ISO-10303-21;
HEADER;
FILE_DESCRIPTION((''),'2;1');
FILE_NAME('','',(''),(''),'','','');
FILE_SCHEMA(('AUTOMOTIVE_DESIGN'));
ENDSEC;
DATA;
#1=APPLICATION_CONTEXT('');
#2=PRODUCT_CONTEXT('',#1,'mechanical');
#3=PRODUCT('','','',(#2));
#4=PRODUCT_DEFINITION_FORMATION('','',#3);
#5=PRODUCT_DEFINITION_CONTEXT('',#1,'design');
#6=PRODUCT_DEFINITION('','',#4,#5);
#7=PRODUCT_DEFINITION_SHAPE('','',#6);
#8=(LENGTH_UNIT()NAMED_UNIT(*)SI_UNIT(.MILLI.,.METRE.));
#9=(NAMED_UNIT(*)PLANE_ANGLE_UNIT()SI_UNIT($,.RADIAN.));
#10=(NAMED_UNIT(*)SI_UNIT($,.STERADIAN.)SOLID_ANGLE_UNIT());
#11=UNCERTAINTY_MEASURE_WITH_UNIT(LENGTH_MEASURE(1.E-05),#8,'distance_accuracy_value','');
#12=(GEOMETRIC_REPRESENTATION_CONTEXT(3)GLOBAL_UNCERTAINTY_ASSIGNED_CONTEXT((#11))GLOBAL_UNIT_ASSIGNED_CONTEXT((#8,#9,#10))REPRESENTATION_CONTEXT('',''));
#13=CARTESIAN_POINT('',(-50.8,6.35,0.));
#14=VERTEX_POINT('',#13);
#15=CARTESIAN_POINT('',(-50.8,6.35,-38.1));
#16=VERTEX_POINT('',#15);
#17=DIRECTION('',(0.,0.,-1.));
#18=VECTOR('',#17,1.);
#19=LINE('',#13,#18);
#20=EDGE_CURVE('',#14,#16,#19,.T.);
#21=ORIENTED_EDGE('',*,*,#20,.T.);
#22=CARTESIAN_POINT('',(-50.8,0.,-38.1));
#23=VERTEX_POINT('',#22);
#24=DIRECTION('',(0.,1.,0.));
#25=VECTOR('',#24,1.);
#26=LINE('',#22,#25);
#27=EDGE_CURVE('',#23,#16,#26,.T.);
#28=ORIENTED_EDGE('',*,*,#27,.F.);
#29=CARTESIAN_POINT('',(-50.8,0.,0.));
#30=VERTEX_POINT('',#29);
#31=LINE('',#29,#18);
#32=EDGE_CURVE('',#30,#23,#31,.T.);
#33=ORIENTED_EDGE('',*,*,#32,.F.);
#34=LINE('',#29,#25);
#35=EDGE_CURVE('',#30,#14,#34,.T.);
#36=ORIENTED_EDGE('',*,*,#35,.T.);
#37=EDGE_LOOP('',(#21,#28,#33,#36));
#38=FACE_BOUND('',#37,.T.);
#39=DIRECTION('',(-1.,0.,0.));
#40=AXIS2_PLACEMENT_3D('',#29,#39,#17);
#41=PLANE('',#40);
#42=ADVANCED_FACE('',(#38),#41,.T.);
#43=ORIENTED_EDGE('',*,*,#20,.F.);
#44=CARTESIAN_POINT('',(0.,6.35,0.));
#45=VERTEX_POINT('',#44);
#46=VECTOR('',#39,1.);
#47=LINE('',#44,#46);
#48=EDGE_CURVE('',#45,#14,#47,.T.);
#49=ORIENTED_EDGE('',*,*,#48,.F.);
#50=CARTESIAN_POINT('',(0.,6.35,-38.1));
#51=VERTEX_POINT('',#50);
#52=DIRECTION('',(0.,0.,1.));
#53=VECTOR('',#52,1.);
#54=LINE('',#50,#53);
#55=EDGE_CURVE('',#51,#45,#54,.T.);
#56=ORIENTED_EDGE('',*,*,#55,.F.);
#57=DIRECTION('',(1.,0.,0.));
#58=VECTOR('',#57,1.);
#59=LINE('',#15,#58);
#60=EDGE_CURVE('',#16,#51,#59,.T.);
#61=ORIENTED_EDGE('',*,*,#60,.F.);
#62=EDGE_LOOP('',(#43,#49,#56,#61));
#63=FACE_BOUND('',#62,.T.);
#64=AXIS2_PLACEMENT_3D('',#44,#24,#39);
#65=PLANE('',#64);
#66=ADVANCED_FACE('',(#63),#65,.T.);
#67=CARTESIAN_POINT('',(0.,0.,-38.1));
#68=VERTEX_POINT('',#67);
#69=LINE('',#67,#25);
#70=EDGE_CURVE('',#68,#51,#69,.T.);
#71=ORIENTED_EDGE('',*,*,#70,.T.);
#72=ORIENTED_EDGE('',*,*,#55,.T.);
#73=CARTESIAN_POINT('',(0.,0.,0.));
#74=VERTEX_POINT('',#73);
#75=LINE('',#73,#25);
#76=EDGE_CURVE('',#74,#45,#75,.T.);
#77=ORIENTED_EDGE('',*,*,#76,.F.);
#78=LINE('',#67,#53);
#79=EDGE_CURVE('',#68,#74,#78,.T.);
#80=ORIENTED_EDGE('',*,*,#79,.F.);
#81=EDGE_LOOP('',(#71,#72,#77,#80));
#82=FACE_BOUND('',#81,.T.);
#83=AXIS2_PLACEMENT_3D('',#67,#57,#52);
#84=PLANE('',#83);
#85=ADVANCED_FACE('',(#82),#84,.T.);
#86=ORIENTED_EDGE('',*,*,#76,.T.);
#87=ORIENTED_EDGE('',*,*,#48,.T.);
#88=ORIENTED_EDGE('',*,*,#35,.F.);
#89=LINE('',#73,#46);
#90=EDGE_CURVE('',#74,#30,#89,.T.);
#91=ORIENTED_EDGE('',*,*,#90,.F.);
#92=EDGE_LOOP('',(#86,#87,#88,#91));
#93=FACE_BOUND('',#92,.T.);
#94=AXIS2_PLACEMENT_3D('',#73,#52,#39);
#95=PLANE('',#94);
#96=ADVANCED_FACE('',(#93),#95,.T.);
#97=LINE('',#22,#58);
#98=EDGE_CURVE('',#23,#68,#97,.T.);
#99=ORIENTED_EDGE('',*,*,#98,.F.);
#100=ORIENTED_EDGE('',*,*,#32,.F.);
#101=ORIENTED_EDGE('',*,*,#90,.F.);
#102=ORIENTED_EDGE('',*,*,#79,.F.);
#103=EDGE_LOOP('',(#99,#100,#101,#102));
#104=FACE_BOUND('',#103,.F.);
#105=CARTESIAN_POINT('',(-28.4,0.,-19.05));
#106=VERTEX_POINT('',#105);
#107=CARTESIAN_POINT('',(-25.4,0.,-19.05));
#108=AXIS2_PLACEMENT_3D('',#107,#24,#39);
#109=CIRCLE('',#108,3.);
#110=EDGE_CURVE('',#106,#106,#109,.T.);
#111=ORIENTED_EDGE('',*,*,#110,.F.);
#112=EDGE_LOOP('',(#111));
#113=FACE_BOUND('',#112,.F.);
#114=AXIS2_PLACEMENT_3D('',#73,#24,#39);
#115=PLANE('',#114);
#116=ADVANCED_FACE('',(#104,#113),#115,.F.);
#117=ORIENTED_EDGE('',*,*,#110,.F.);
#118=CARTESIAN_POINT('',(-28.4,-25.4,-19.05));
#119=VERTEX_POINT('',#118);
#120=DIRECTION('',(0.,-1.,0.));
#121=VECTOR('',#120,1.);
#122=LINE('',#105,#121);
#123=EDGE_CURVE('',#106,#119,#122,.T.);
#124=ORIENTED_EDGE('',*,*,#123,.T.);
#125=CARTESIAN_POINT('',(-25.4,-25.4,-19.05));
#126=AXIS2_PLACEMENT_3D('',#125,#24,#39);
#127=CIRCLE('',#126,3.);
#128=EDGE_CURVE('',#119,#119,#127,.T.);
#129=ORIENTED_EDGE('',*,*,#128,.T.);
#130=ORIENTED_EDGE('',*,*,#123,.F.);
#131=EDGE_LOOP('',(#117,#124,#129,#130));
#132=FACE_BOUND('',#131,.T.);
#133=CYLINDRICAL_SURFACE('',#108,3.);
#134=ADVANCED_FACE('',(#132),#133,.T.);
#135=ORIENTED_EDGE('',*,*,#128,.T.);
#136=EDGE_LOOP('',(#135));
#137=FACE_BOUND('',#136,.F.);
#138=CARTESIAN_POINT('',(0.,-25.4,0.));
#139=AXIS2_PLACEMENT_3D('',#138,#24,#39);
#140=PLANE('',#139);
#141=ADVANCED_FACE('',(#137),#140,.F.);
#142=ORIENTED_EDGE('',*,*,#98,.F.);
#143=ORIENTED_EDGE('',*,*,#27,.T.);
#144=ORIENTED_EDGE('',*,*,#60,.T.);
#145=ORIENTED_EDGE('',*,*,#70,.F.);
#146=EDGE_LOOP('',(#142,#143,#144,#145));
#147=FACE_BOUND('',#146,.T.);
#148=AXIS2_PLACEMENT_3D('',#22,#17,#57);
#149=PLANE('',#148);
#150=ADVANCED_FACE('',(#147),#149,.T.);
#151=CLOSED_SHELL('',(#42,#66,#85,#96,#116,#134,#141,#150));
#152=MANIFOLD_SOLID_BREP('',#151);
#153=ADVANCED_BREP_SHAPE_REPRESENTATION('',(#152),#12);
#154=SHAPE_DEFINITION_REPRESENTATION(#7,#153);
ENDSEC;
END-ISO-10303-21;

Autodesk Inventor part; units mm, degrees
ref_plane "YZ Plane" through (0, 0, 0) normal (1, 0, 0) x (0, 1, 0)
ref_plane "XZ Plane" through (0, 0, 0) normal (0, 1, 0) x (-1, 0, 0)
ref_plane "XY Plane" through (0, 0, 0) normal (0, 0, 1) x (1, 0, 0)
sketch "Sketch1" plane through (0, 0, 0) normal (0, 1, 0) x (-1, 0, 0)
  line L0 (0, 0) -> (50.8, 0)
  line L1 (50.8, 0) -> (50.8, -38.1)
  line L2 (50.8, -38.1) -> (0, -38.1)
  line L3 (0, -38.1) -> (0, 0)
  circle A0 centre (25.4, -19.05) radius 3
  dimension "d0" = 50.8
  dimension "d1" = 38.1
  dimension "d2" = 6
extrude "Extrusion1" add sketch "Sketch1" along normal blind 6.35 contours L0 L1 L2 L3 | A0
extrude "Extrusion2" add sketch "Sketch1" against normal blind 25.4 contours A0
properties part number "Camera Mount"
